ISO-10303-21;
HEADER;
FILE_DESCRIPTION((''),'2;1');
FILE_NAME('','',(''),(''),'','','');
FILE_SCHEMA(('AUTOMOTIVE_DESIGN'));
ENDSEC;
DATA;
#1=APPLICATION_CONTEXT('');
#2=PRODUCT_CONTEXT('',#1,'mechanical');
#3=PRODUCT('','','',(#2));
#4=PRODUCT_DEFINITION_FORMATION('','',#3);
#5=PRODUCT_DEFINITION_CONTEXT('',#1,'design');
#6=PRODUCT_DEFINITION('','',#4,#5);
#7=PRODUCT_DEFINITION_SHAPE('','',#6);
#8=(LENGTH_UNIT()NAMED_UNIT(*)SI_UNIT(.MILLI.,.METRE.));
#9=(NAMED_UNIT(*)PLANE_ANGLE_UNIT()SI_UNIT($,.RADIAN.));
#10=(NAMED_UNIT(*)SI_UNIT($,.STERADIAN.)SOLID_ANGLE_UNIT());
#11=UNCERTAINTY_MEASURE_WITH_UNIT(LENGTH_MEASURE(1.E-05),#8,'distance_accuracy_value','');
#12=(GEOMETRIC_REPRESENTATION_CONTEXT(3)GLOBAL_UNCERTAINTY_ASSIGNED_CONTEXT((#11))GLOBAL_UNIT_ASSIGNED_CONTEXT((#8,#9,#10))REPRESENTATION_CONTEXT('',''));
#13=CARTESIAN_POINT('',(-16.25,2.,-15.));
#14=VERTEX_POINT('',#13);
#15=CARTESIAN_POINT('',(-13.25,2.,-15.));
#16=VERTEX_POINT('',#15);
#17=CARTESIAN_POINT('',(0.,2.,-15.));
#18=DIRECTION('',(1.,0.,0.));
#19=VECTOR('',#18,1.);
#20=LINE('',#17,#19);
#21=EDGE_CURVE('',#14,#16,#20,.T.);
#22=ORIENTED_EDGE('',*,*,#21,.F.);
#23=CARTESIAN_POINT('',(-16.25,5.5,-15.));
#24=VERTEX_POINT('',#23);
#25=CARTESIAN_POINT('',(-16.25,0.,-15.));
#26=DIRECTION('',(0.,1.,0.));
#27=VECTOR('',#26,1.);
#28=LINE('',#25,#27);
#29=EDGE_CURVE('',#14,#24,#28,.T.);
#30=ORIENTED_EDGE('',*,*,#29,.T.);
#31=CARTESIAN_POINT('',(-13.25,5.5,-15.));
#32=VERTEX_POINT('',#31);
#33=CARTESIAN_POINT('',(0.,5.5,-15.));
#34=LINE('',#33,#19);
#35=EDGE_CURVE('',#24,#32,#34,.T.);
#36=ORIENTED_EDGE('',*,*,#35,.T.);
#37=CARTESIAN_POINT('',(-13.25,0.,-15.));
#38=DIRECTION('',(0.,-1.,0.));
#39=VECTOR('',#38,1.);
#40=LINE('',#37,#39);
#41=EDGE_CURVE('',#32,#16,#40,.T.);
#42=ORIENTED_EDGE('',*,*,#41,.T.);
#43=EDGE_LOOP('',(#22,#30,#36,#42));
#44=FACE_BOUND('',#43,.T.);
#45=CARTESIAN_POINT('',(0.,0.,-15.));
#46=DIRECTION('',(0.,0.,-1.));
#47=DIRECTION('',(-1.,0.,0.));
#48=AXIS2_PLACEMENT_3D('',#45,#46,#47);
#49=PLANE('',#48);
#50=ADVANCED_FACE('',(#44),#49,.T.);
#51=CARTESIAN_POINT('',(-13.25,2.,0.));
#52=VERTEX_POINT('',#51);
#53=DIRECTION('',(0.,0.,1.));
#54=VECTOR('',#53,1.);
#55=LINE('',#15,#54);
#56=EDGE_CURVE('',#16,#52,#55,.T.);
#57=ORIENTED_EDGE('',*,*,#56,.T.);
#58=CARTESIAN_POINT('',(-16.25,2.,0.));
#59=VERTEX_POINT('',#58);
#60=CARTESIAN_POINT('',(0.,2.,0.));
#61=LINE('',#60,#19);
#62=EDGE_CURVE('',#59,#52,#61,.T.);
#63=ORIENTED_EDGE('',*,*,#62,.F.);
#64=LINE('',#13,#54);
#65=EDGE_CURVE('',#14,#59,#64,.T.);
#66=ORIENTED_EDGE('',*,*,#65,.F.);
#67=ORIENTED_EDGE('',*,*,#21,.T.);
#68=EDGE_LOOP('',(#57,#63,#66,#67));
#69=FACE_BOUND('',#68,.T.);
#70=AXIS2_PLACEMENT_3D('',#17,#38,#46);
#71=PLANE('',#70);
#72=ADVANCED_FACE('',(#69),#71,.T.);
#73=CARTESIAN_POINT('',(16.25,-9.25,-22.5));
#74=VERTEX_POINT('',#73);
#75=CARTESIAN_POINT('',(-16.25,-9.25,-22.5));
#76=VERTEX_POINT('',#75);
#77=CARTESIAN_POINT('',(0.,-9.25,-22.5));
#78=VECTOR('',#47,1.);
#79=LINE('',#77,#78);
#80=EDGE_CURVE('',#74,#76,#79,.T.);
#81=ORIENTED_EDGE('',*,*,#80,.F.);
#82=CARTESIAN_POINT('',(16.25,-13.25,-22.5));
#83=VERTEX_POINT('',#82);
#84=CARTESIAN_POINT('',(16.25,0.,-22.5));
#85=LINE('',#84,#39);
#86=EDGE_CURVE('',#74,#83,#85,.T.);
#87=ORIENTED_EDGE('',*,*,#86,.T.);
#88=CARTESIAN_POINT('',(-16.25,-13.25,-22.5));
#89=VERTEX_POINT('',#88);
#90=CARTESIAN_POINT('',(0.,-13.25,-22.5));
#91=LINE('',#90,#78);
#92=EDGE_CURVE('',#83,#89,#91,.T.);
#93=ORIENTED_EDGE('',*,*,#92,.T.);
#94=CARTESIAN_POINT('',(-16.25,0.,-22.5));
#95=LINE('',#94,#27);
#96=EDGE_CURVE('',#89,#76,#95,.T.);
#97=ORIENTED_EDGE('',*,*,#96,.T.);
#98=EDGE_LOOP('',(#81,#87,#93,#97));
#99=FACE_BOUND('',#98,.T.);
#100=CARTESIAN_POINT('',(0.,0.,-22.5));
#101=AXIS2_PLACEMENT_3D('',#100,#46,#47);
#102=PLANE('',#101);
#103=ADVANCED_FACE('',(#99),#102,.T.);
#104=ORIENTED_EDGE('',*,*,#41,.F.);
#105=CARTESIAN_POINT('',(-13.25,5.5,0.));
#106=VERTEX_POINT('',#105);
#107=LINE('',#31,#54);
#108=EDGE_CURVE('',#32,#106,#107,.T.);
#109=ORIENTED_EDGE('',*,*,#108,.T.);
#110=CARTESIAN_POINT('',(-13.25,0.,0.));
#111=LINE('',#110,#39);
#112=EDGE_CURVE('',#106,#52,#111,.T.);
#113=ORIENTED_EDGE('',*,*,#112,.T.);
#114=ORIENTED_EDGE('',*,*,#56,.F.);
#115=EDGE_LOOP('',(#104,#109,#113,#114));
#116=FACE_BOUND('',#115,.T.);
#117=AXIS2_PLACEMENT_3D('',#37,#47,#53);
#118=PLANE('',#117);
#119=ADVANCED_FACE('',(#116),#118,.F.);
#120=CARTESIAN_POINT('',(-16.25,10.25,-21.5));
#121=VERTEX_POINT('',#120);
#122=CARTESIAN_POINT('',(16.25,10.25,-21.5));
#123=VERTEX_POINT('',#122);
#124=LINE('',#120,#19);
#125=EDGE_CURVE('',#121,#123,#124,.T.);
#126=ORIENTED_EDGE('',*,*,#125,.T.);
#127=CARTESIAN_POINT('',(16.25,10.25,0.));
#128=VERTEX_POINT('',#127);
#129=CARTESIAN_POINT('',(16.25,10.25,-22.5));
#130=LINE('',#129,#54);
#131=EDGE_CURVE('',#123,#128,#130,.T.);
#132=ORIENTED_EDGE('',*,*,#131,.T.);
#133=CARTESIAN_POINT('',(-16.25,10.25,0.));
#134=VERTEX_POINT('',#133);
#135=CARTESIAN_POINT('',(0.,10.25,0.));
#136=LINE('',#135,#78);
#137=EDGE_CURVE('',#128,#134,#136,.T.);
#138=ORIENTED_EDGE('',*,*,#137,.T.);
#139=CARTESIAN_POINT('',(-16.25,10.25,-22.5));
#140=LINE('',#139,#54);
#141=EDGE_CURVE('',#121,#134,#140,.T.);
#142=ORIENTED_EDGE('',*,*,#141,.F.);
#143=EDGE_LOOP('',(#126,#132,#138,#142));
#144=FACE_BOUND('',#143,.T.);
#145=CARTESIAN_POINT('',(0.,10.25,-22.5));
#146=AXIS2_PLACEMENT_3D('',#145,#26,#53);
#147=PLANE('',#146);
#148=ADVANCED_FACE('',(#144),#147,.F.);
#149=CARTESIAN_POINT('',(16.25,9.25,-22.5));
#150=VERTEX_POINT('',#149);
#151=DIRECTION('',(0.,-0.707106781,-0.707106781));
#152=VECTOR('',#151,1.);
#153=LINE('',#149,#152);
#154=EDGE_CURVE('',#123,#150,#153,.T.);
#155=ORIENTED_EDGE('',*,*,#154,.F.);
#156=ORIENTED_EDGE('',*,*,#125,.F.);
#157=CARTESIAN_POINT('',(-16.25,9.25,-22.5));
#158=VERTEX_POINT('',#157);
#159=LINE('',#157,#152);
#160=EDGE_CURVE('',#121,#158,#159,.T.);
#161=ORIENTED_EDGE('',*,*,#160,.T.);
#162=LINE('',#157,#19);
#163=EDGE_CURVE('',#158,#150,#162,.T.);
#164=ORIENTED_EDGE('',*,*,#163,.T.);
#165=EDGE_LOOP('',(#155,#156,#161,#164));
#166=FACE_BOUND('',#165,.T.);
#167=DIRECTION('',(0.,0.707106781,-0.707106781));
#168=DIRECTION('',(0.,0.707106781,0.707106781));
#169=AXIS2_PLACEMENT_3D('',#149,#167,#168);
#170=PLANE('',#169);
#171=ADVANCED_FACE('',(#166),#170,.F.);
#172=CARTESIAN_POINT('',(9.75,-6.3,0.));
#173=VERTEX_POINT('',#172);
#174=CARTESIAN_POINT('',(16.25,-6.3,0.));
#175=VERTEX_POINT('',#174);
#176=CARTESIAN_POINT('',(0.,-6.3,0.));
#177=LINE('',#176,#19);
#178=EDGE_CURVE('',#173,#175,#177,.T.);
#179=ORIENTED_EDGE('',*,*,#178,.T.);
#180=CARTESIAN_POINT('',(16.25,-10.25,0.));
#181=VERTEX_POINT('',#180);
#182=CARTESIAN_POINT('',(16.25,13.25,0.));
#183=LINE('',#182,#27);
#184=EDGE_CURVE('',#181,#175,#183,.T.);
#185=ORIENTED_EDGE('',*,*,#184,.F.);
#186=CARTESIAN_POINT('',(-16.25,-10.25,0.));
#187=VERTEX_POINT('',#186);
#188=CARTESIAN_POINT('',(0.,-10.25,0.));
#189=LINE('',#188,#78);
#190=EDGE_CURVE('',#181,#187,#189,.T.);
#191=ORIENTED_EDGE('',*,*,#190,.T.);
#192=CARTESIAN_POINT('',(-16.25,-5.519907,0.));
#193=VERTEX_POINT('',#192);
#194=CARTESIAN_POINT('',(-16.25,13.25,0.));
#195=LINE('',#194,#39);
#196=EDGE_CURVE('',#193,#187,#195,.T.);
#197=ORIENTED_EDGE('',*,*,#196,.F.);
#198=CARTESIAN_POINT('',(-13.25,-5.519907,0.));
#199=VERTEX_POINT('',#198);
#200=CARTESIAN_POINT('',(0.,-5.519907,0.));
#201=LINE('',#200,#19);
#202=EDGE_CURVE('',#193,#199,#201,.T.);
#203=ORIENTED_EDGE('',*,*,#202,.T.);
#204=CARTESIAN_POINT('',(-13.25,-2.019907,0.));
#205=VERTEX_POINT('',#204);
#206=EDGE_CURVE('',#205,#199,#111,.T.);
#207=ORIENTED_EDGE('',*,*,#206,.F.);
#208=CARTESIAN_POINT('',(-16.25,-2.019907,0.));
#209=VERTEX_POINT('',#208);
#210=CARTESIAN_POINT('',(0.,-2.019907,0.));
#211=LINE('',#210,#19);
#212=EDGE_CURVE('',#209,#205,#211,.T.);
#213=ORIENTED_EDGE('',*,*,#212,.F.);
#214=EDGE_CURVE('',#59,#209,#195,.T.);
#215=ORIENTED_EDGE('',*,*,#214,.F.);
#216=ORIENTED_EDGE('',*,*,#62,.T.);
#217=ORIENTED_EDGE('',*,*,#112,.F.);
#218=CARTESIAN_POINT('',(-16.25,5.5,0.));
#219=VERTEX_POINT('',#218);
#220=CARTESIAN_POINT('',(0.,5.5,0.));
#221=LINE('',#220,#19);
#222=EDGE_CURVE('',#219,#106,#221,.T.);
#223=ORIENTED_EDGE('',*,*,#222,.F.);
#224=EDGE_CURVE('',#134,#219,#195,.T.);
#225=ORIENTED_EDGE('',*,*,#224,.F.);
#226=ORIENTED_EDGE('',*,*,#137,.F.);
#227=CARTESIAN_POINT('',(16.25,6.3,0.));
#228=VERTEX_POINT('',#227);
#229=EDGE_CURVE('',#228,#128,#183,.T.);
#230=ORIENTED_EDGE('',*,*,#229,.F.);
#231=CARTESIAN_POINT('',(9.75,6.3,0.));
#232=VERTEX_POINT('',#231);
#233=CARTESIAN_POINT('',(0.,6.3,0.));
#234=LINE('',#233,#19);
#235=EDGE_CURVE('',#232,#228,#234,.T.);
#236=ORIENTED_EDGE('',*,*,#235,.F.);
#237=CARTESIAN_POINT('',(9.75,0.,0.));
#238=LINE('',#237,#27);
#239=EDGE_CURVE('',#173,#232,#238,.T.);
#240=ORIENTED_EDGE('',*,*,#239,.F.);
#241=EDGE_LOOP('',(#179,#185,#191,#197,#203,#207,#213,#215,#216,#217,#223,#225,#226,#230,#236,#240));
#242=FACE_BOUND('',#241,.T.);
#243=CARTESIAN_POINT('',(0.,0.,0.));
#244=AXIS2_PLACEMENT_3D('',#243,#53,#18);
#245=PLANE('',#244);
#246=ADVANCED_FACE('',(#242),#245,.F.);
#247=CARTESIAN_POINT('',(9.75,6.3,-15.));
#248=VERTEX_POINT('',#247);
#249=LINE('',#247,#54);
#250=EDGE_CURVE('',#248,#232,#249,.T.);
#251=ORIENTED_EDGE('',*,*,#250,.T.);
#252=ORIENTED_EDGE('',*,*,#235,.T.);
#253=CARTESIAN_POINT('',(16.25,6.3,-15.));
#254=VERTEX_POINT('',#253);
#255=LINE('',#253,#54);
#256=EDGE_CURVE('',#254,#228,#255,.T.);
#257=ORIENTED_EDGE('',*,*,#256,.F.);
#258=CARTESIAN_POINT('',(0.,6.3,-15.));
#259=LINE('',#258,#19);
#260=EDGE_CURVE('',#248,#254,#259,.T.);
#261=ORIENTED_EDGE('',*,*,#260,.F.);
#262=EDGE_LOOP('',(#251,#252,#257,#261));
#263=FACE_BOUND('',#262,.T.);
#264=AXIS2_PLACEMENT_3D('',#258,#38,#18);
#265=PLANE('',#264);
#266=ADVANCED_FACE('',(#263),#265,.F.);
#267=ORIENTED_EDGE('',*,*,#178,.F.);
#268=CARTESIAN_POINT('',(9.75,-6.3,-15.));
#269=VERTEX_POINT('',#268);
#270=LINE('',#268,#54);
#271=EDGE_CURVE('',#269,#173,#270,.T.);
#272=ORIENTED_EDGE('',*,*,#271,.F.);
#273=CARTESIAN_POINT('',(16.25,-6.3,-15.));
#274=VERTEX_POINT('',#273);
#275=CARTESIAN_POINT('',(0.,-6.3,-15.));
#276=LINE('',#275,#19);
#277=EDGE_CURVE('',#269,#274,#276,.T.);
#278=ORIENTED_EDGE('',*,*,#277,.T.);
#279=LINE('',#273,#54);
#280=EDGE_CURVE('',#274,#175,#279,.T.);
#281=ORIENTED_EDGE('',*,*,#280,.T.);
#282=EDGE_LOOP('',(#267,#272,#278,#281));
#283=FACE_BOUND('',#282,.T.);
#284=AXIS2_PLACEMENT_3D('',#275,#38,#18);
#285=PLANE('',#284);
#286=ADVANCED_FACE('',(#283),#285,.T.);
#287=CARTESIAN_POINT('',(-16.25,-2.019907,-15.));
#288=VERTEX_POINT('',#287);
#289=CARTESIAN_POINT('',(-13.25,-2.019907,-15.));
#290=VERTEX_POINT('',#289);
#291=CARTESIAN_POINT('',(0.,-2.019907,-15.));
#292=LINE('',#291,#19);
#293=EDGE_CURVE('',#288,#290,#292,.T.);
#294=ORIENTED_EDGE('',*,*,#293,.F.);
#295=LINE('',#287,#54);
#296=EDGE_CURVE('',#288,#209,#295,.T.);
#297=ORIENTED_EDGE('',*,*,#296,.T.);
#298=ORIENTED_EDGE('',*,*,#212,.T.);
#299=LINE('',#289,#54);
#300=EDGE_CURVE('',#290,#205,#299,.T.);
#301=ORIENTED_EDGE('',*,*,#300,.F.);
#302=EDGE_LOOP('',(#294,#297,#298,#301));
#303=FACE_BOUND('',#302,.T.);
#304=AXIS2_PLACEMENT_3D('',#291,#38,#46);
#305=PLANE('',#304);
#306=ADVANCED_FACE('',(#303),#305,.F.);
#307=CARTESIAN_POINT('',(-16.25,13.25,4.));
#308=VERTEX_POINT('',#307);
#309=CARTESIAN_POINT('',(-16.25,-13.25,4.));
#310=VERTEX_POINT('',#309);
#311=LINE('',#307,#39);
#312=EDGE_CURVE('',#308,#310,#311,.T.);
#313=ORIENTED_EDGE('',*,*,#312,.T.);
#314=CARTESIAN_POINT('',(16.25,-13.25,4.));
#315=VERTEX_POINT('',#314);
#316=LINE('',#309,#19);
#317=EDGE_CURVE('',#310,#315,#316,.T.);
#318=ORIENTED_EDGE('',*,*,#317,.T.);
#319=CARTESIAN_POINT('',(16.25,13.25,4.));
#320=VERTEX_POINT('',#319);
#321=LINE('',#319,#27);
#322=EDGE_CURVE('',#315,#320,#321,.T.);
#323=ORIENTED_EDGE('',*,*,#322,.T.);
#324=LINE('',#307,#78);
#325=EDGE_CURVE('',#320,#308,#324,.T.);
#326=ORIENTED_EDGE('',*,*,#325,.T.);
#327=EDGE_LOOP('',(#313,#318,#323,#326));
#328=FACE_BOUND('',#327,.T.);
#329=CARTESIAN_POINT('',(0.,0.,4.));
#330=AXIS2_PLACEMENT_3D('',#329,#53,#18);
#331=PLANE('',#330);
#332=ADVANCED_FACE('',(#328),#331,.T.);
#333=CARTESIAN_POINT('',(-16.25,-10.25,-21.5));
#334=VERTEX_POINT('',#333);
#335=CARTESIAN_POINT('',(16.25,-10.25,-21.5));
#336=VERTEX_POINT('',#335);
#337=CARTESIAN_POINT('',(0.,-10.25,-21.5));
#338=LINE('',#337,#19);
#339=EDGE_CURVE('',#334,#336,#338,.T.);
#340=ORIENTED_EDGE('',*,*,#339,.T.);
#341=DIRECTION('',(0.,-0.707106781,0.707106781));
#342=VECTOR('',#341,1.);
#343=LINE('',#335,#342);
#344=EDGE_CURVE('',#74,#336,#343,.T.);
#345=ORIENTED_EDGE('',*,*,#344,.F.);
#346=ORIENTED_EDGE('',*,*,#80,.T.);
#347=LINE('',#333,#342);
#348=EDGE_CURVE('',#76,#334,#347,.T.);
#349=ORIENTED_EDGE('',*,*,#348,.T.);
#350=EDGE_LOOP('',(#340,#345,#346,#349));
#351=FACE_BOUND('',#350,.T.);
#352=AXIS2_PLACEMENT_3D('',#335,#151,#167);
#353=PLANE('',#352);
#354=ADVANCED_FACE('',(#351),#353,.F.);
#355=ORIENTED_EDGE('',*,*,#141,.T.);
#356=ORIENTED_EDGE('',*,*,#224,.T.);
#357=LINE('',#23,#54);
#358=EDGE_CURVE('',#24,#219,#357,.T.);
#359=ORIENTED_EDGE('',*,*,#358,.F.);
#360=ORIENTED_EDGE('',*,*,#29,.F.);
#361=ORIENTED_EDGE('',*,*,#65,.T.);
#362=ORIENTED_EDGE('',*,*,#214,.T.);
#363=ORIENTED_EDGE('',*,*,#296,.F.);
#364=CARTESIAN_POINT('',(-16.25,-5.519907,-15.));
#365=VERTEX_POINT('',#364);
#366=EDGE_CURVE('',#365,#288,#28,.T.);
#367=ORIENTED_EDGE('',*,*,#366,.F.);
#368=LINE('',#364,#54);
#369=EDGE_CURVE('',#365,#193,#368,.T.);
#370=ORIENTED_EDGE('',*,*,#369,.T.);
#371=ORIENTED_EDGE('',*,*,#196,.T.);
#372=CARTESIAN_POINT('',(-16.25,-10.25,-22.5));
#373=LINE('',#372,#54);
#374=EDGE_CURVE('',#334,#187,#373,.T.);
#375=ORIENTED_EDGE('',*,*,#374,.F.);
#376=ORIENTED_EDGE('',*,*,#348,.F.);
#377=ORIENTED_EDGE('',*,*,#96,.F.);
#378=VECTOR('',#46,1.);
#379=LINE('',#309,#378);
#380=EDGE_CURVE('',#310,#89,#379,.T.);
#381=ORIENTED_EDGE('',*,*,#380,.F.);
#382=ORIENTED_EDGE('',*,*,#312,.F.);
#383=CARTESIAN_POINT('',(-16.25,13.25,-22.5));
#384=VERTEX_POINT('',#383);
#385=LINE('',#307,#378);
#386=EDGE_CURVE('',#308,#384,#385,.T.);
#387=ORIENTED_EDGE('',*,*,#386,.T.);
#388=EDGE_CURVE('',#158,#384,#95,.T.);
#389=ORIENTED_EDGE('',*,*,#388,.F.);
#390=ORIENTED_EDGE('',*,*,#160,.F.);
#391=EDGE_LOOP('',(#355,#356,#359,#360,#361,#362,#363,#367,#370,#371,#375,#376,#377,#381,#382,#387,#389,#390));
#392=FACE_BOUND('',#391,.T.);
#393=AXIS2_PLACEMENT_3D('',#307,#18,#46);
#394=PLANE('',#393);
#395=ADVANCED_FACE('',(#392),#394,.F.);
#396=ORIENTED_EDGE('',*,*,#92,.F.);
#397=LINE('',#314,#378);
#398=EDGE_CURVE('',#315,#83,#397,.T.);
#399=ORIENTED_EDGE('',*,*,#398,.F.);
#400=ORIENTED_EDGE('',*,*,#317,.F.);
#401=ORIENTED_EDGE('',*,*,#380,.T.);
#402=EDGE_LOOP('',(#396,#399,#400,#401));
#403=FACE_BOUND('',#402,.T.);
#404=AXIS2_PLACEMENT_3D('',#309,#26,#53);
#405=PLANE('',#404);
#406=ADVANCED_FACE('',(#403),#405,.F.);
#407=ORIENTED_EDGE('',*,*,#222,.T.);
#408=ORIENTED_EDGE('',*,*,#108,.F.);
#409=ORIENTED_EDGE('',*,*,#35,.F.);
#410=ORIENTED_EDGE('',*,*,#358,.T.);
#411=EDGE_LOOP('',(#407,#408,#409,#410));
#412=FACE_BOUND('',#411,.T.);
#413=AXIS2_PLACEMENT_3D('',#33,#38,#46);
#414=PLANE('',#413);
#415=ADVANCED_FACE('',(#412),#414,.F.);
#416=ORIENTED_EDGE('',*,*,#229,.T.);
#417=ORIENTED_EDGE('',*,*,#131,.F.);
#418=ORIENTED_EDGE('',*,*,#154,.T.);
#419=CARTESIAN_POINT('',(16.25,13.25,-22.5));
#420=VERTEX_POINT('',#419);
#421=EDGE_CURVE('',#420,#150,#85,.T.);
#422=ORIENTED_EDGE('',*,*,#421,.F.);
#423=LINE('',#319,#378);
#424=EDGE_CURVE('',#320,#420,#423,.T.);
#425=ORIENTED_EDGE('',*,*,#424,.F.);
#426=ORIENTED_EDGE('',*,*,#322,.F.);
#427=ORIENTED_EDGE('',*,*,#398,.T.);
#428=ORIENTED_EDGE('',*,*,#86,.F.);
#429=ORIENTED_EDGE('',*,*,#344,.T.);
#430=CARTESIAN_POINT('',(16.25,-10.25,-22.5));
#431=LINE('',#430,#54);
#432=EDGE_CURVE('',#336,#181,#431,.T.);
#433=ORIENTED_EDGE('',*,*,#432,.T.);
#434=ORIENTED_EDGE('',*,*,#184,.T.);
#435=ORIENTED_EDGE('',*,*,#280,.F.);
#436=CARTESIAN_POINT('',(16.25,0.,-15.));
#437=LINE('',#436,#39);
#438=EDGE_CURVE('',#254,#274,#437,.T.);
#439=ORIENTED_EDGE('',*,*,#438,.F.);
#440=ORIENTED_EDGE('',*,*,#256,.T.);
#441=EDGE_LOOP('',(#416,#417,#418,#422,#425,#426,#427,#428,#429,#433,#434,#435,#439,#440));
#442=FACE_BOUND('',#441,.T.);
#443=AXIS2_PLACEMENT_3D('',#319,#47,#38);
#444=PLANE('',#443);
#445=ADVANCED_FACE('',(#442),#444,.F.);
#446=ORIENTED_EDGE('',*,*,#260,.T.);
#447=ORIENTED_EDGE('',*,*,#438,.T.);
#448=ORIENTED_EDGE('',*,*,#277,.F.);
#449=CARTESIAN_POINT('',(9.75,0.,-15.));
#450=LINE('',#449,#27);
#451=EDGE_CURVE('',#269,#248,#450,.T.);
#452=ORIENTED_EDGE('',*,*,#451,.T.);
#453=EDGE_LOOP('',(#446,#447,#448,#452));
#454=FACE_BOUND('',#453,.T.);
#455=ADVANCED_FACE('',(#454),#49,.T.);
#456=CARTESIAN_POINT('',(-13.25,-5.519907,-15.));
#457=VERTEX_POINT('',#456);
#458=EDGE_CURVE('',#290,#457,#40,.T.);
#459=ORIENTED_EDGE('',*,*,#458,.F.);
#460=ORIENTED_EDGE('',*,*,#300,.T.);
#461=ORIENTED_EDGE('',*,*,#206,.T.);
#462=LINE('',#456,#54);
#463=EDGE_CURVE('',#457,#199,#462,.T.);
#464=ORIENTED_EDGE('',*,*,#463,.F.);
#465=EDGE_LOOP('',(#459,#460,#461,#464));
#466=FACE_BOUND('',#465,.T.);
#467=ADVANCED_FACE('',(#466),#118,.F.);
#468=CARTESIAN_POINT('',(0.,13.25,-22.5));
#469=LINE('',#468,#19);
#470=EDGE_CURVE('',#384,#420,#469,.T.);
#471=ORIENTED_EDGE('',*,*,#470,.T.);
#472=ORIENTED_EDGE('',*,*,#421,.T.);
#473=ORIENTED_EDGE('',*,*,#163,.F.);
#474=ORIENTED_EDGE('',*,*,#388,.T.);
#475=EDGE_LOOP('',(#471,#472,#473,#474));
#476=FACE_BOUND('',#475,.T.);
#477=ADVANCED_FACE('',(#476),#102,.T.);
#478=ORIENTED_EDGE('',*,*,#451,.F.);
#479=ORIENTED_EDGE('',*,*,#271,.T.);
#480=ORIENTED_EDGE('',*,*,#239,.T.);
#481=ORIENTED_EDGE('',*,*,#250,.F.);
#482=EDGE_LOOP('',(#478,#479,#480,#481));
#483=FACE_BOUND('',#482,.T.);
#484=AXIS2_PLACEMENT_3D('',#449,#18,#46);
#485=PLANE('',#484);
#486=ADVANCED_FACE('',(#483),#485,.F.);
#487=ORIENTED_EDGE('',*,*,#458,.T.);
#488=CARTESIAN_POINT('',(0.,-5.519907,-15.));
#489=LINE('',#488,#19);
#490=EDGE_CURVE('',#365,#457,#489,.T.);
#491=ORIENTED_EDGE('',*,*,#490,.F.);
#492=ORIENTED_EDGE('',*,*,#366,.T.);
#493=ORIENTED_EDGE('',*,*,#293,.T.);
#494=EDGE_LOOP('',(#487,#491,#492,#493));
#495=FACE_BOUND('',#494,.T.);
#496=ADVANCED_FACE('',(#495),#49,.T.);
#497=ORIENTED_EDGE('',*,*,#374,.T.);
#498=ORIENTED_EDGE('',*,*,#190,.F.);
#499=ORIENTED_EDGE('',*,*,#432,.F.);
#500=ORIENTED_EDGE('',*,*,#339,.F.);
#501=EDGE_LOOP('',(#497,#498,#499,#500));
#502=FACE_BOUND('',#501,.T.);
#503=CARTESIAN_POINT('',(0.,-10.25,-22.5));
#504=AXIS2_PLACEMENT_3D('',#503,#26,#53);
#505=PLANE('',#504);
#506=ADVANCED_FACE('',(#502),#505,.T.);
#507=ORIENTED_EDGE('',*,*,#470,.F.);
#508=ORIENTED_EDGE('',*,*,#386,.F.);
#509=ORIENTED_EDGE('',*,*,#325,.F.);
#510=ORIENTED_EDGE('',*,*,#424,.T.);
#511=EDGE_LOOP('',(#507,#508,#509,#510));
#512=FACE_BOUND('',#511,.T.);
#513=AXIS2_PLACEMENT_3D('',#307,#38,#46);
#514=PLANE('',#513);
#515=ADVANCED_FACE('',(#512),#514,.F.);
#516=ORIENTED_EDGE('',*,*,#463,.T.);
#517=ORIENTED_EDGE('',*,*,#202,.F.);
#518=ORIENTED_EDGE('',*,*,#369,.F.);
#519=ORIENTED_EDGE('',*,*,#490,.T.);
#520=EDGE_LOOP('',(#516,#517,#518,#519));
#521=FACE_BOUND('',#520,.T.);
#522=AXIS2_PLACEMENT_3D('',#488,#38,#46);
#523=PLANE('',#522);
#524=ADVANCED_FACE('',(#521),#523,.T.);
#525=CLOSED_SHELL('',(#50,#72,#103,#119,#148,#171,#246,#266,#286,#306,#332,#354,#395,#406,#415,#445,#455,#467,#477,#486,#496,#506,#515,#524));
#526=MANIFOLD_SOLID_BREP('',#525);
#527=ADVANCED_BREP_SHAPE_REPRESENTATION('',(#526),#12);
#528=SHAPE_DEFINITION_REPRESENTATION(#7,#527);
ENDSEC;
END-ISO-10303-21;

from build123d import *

# Parameters (mm, degrees)
SKETCH1_W           = 32.5
SKETCH1_H           = 26.5
BOSS_EXTRUDE1_DEPTH = 4
SKETCH2_W           = 6.5
SKETCH2_H           = 6.3
BOSS_EXTRUDE2_DEPTH = 15
SKETCH3_W           = 32.5
SKETCH3_H           = 3
BOSS_EXTRUDE3_DEPTH = 22.5
SKETCH4_W           = 32.5
SKETCH4_H           = 1
BOSS_EXTRUDE4_DEPTH = 1
CUT_EXTRUDE1_DEPTH  = 33.5
SKETCH6_W           = 32.5
SKETCH6_H           = 1
BOSS_EXTRUDE5_DEPTH = 1
CUT_EXTRUDE2_DEPTH  = 33.5
SKETCH8_W           = 3
SKETCH8_H           = 3.5
BOSS_EXTRUDE6_DEPTH = 15


with BuildPart() as part:
    # Sketch1 → Boss-Extrude1 (new body)
    with BuildSketch(Plane.XY):
        Rectangle(SKETCH1_W, SKETCH1_H)
    extrude(amount=BOSS_EXTRUDE1_DEPTH)

    # Sketch2 → Boss-Extrude2 (add)
    with BuildSketch(Plane(origin=(0, 0, 0), x_dir=(-1, 0, 0), z_dir=(0, 0, -1))):
        with Locations((-13, -3.15)):
            Rectangle(SKETCH2_W, SKETCH2_H)
        with Locations((-13, 3.15)):
            Rectangle(SKETCH2_W, SKETCH2_H)
    extrude(amount=BOSS_EXTRUDE2_DEPTH)

    # Sketch3 → Boss-Extrude3 (add)
    with BuildSketch(Plane(origin=(0, 0, 0), x_dir=(-1, 0, 0), z_dir=(0, 0, -1))):
        with Locations((0, -11.75)):
            Rectangle(SKETCH3_W, SKETCH3_H)
        with Locations((0, 11.75)):
            Rectangle(SKETCH3_W, SKETCH3_H)
    extrude(amount=BOSS_EXTRUDE3_DEPTH)

    # Sketch4 → Boss-Extrude4 (add)
    with BuildSketch(Plane(origin=(0, -10.25, 0), x_dir=(1, 0, 0), z_dir=(0, 1, 0))):
        with Locations((0, 22)):
            Rectangle(SKETCH4_W, SKETCH4_H)
    extrude(amount=BOSS_EXTRUDE4_DEPTH)

    # Sketch5 → Cut-Extrude1 (cut, through all)
    with BuildSketch(Plane.ZY.offset(16.25)):
        Polygon((-21.5, -10.25), (-22.5, -9.25), (-21.5, -9.25), align=None)
    extrude(amount=-CUT_EXTRUDE1_DEPTH, mode=Mode.SUBTRACT)

    # Sketch6 → Boss-Extrude5 (add)
    with BuildSketch(Plane.XZ.offset(-10.25)):
        with Locations((0, -22)):
            Rectangle(SKETCH6_W, SKETCH6_H)
    extrude(amount=BOSS_EXTRUDE5_DEPTH)

    # Sketch7 → Cut-Extrude2 (cut, through all)
    with BuildSketch(Plane.ZY.offset(16.25)):
        Polygon((-21.5, 10.25), (-21.5, 9.25), (-22.5, 9.25), align=None)
    extrude(amount=-CUT_EXTRUDE2_DEPTH, mode=Mode.SUBTRACT)

    # Sketch8 → Boss-Extrude6 (add)
    with BuildSketch(Plane(origin=(0, 0, 0), x_dir=(-1, 0, 0), z_dir=(0, 0, -1))):
        with Locations((14.75, 3.75)):
            Rectangle(SKETCH8_W, SKETCH8_H)
        with Locations((14.75, -3.76990678)):
            Rectangle(SKETCH8_W, SKETCH8_H)
    extrude(amount=BOSS_EXTRUDE6_DEPTH)


solid = part.part
